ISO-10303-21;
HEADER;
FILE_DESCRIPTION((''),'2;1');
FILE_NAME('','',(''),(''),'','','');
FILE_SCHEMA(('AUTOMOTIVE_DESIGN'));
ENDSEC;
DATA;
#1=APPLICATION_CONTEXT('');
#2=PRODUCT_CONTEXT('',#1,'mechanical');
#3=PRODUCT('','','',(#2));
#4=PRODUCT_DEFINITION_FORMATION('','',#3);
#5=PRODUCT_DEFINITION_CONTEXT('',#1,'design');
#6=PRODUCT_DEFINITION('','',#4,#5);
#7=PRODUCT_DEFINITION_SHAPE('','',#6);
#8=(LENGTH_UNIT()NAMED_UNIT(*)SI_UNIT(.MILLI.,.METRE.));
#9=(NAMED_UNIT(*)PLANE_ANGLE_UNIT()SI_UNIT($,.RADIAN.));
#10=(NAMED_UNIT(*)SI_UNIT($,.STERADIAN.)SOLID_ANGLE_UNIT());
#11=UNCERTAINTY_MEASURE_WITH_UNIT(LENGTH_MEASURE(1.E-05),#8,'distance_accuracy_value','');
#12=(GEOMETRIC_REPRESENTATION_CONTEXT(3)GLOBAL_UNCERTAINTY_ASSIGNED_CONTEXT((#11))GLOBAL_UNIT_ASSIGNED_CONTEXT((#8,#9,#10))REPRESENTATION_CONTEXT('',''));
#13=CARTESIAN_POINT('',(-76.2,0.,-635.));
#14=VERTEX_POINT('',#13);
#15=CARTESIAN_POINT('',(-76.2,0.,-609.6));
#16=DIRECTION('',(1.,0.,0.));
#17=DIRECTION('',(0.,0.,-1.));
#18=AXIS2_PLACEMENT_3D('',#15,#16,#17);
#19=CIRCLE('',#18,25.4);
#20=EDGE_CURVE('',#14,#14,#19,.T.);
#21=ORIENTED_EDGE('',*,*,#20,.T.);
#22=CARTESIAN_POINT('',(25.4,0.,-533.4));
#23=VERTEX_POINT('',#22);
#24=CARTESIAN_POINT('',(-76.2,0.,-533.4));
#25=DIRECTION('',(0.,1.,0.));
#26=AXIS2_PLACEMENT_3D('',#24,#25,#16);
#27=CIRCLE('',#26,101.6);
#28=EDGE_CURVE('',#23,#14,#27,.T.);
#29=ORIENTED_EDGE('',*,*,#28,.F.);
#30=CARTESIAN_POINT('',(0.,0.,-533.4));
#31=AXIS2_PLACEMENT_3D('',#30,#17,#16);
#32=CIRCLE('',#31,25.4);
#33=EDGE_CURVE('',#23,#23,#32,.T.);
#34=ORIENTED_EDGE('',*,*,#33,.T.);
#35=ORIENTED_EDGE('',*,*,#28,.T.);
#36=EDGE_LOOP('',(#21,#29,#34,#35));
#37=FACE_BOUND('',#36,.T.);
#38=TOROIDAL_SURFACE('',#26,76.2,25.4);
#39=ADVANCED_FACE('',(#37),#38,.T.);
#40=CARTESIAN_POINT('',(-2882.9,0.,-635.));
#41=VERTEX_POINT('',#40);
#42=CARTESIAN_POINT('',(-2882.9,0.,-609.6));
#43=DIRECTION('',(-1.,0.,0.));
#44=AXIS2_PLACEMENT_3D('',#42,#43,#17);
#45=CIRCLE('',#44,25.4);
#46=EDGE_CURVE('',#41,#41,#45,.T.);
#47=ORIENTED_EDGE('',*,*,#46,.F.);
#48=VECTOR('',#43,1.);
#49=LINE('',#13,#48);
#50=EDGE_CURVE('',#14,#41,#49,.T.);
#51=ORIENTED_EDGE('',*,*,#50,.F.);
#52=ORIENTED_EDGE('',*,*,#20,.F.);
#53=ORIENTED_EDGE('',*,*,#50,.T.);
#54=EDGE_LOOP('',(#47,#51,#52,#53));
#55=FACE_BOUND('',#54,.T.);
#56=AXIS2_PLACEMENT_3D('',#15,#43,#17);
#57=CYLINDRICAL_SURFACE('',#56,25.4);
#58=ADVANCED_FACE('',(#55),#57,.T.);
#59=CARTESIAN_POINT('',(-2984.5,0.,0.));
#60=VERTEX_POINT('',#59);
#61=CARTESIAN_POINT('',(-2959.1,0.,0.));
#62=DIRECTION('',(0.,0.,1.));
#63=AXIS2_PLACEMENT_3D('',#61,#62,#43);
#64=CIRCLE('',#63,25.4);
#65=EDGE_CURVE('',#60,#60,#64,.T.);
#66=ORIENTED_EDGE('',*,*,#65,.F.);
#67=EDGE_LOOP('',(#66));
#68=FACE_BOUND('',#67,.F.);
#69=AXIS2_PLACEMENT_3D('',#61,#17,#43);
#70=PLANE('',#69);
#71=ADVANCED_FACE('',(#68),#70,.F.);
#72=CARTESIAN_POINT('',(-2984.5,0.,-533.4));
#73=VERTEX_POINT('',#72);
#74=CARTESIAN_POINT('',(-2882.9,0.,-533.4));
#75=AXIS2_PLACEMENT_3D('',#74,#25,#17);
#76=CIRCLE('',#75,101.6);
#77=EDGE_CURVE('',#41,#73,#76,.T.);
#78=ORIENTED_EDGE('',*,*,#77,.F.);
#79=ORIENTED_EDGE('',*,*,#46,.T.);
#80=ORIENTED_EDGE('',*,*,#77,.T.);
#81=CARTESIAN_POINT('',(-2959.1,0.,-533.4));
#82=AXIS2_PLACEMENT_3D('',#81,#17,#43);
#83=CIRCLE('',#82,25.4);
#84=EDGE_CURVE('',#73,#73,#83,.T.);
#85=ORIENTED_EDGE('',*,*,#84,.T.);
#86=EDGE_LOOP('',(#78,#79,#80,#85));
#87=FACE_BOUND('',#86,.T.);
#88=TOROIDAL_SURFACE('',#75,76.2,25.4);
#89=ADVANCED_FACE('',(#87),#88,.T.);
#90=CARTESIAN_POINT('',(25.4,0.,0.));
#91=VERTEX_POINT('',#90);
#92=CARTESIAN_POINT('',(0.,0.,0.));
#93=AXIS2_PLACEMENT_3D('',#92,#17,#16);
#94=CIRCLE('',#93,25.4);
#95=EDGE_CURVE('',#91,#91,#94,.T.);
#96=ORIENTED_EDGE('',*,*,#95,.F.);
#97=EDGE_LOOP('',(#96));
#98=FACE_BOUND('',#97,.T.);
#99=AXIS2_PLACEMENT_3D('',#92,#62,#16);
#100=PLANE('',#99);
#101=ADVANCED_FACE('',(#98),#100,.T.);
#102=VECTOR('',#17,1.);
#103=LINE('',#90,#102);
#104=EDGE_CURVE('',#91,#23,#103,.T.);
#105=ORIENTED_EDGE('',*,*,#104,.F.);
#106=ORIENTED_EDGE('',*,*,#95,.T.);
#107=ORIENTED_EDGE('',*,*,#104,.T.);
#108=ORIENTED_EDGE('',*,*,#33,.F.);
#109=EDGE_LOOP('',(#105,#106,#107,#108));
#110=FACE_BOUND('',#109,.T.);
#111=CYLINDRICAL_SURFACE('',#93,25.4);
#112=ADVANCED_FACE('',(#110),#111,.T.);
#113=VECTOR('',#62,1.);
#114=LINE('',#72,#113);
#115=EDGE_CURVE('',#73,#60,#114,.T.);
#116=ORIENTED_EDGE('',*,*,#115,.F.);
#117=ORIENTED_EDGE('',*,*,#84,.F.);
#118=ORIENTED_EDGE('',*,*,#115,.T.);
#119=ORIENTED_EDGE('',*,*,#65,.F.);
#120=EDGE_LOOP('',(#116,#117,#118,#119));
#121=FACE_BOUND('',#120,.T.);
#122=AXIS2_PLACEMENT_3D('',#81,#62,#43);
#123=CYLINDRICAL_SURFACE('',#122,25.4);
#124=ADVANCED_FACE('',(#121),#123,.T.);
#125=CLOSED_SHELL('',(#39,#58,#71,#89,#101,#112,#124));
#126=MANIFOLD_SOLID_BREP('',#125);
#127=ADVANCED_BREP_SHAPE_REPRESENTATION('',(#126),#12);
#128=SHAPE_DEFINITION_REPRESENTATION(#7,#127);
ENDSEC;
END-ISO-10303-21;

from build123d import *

# Parameters (mm, degrees)
F1_R = 25.4


with BuildPart() as f2:
    # F2: sweep along a path in F0
    with BuildLine(Plane.XZ) as f2_path:
        Line((0, 0), (0, -533.4))
        ThreePointArc((0, -533.4), (-22.3184632736, -587.2815367264), (-76.2, -609.6))
        Line((-76.2, -609.6), (-2882.9, -609.6))
        ThreePointArc((-2882.9, -609.6), (-2936.7815367264, -587.2815367264), (-2959.1, -533.4))
        Line((-2959.1, -533.4), (-2959.1, 0))
    # F1 (on Top) → F2 (sweep)
    with BuildSketch(Plane.XY):
        Circle(F1_R)
    sweep(path=f2_path.line)


solid = f2.part
